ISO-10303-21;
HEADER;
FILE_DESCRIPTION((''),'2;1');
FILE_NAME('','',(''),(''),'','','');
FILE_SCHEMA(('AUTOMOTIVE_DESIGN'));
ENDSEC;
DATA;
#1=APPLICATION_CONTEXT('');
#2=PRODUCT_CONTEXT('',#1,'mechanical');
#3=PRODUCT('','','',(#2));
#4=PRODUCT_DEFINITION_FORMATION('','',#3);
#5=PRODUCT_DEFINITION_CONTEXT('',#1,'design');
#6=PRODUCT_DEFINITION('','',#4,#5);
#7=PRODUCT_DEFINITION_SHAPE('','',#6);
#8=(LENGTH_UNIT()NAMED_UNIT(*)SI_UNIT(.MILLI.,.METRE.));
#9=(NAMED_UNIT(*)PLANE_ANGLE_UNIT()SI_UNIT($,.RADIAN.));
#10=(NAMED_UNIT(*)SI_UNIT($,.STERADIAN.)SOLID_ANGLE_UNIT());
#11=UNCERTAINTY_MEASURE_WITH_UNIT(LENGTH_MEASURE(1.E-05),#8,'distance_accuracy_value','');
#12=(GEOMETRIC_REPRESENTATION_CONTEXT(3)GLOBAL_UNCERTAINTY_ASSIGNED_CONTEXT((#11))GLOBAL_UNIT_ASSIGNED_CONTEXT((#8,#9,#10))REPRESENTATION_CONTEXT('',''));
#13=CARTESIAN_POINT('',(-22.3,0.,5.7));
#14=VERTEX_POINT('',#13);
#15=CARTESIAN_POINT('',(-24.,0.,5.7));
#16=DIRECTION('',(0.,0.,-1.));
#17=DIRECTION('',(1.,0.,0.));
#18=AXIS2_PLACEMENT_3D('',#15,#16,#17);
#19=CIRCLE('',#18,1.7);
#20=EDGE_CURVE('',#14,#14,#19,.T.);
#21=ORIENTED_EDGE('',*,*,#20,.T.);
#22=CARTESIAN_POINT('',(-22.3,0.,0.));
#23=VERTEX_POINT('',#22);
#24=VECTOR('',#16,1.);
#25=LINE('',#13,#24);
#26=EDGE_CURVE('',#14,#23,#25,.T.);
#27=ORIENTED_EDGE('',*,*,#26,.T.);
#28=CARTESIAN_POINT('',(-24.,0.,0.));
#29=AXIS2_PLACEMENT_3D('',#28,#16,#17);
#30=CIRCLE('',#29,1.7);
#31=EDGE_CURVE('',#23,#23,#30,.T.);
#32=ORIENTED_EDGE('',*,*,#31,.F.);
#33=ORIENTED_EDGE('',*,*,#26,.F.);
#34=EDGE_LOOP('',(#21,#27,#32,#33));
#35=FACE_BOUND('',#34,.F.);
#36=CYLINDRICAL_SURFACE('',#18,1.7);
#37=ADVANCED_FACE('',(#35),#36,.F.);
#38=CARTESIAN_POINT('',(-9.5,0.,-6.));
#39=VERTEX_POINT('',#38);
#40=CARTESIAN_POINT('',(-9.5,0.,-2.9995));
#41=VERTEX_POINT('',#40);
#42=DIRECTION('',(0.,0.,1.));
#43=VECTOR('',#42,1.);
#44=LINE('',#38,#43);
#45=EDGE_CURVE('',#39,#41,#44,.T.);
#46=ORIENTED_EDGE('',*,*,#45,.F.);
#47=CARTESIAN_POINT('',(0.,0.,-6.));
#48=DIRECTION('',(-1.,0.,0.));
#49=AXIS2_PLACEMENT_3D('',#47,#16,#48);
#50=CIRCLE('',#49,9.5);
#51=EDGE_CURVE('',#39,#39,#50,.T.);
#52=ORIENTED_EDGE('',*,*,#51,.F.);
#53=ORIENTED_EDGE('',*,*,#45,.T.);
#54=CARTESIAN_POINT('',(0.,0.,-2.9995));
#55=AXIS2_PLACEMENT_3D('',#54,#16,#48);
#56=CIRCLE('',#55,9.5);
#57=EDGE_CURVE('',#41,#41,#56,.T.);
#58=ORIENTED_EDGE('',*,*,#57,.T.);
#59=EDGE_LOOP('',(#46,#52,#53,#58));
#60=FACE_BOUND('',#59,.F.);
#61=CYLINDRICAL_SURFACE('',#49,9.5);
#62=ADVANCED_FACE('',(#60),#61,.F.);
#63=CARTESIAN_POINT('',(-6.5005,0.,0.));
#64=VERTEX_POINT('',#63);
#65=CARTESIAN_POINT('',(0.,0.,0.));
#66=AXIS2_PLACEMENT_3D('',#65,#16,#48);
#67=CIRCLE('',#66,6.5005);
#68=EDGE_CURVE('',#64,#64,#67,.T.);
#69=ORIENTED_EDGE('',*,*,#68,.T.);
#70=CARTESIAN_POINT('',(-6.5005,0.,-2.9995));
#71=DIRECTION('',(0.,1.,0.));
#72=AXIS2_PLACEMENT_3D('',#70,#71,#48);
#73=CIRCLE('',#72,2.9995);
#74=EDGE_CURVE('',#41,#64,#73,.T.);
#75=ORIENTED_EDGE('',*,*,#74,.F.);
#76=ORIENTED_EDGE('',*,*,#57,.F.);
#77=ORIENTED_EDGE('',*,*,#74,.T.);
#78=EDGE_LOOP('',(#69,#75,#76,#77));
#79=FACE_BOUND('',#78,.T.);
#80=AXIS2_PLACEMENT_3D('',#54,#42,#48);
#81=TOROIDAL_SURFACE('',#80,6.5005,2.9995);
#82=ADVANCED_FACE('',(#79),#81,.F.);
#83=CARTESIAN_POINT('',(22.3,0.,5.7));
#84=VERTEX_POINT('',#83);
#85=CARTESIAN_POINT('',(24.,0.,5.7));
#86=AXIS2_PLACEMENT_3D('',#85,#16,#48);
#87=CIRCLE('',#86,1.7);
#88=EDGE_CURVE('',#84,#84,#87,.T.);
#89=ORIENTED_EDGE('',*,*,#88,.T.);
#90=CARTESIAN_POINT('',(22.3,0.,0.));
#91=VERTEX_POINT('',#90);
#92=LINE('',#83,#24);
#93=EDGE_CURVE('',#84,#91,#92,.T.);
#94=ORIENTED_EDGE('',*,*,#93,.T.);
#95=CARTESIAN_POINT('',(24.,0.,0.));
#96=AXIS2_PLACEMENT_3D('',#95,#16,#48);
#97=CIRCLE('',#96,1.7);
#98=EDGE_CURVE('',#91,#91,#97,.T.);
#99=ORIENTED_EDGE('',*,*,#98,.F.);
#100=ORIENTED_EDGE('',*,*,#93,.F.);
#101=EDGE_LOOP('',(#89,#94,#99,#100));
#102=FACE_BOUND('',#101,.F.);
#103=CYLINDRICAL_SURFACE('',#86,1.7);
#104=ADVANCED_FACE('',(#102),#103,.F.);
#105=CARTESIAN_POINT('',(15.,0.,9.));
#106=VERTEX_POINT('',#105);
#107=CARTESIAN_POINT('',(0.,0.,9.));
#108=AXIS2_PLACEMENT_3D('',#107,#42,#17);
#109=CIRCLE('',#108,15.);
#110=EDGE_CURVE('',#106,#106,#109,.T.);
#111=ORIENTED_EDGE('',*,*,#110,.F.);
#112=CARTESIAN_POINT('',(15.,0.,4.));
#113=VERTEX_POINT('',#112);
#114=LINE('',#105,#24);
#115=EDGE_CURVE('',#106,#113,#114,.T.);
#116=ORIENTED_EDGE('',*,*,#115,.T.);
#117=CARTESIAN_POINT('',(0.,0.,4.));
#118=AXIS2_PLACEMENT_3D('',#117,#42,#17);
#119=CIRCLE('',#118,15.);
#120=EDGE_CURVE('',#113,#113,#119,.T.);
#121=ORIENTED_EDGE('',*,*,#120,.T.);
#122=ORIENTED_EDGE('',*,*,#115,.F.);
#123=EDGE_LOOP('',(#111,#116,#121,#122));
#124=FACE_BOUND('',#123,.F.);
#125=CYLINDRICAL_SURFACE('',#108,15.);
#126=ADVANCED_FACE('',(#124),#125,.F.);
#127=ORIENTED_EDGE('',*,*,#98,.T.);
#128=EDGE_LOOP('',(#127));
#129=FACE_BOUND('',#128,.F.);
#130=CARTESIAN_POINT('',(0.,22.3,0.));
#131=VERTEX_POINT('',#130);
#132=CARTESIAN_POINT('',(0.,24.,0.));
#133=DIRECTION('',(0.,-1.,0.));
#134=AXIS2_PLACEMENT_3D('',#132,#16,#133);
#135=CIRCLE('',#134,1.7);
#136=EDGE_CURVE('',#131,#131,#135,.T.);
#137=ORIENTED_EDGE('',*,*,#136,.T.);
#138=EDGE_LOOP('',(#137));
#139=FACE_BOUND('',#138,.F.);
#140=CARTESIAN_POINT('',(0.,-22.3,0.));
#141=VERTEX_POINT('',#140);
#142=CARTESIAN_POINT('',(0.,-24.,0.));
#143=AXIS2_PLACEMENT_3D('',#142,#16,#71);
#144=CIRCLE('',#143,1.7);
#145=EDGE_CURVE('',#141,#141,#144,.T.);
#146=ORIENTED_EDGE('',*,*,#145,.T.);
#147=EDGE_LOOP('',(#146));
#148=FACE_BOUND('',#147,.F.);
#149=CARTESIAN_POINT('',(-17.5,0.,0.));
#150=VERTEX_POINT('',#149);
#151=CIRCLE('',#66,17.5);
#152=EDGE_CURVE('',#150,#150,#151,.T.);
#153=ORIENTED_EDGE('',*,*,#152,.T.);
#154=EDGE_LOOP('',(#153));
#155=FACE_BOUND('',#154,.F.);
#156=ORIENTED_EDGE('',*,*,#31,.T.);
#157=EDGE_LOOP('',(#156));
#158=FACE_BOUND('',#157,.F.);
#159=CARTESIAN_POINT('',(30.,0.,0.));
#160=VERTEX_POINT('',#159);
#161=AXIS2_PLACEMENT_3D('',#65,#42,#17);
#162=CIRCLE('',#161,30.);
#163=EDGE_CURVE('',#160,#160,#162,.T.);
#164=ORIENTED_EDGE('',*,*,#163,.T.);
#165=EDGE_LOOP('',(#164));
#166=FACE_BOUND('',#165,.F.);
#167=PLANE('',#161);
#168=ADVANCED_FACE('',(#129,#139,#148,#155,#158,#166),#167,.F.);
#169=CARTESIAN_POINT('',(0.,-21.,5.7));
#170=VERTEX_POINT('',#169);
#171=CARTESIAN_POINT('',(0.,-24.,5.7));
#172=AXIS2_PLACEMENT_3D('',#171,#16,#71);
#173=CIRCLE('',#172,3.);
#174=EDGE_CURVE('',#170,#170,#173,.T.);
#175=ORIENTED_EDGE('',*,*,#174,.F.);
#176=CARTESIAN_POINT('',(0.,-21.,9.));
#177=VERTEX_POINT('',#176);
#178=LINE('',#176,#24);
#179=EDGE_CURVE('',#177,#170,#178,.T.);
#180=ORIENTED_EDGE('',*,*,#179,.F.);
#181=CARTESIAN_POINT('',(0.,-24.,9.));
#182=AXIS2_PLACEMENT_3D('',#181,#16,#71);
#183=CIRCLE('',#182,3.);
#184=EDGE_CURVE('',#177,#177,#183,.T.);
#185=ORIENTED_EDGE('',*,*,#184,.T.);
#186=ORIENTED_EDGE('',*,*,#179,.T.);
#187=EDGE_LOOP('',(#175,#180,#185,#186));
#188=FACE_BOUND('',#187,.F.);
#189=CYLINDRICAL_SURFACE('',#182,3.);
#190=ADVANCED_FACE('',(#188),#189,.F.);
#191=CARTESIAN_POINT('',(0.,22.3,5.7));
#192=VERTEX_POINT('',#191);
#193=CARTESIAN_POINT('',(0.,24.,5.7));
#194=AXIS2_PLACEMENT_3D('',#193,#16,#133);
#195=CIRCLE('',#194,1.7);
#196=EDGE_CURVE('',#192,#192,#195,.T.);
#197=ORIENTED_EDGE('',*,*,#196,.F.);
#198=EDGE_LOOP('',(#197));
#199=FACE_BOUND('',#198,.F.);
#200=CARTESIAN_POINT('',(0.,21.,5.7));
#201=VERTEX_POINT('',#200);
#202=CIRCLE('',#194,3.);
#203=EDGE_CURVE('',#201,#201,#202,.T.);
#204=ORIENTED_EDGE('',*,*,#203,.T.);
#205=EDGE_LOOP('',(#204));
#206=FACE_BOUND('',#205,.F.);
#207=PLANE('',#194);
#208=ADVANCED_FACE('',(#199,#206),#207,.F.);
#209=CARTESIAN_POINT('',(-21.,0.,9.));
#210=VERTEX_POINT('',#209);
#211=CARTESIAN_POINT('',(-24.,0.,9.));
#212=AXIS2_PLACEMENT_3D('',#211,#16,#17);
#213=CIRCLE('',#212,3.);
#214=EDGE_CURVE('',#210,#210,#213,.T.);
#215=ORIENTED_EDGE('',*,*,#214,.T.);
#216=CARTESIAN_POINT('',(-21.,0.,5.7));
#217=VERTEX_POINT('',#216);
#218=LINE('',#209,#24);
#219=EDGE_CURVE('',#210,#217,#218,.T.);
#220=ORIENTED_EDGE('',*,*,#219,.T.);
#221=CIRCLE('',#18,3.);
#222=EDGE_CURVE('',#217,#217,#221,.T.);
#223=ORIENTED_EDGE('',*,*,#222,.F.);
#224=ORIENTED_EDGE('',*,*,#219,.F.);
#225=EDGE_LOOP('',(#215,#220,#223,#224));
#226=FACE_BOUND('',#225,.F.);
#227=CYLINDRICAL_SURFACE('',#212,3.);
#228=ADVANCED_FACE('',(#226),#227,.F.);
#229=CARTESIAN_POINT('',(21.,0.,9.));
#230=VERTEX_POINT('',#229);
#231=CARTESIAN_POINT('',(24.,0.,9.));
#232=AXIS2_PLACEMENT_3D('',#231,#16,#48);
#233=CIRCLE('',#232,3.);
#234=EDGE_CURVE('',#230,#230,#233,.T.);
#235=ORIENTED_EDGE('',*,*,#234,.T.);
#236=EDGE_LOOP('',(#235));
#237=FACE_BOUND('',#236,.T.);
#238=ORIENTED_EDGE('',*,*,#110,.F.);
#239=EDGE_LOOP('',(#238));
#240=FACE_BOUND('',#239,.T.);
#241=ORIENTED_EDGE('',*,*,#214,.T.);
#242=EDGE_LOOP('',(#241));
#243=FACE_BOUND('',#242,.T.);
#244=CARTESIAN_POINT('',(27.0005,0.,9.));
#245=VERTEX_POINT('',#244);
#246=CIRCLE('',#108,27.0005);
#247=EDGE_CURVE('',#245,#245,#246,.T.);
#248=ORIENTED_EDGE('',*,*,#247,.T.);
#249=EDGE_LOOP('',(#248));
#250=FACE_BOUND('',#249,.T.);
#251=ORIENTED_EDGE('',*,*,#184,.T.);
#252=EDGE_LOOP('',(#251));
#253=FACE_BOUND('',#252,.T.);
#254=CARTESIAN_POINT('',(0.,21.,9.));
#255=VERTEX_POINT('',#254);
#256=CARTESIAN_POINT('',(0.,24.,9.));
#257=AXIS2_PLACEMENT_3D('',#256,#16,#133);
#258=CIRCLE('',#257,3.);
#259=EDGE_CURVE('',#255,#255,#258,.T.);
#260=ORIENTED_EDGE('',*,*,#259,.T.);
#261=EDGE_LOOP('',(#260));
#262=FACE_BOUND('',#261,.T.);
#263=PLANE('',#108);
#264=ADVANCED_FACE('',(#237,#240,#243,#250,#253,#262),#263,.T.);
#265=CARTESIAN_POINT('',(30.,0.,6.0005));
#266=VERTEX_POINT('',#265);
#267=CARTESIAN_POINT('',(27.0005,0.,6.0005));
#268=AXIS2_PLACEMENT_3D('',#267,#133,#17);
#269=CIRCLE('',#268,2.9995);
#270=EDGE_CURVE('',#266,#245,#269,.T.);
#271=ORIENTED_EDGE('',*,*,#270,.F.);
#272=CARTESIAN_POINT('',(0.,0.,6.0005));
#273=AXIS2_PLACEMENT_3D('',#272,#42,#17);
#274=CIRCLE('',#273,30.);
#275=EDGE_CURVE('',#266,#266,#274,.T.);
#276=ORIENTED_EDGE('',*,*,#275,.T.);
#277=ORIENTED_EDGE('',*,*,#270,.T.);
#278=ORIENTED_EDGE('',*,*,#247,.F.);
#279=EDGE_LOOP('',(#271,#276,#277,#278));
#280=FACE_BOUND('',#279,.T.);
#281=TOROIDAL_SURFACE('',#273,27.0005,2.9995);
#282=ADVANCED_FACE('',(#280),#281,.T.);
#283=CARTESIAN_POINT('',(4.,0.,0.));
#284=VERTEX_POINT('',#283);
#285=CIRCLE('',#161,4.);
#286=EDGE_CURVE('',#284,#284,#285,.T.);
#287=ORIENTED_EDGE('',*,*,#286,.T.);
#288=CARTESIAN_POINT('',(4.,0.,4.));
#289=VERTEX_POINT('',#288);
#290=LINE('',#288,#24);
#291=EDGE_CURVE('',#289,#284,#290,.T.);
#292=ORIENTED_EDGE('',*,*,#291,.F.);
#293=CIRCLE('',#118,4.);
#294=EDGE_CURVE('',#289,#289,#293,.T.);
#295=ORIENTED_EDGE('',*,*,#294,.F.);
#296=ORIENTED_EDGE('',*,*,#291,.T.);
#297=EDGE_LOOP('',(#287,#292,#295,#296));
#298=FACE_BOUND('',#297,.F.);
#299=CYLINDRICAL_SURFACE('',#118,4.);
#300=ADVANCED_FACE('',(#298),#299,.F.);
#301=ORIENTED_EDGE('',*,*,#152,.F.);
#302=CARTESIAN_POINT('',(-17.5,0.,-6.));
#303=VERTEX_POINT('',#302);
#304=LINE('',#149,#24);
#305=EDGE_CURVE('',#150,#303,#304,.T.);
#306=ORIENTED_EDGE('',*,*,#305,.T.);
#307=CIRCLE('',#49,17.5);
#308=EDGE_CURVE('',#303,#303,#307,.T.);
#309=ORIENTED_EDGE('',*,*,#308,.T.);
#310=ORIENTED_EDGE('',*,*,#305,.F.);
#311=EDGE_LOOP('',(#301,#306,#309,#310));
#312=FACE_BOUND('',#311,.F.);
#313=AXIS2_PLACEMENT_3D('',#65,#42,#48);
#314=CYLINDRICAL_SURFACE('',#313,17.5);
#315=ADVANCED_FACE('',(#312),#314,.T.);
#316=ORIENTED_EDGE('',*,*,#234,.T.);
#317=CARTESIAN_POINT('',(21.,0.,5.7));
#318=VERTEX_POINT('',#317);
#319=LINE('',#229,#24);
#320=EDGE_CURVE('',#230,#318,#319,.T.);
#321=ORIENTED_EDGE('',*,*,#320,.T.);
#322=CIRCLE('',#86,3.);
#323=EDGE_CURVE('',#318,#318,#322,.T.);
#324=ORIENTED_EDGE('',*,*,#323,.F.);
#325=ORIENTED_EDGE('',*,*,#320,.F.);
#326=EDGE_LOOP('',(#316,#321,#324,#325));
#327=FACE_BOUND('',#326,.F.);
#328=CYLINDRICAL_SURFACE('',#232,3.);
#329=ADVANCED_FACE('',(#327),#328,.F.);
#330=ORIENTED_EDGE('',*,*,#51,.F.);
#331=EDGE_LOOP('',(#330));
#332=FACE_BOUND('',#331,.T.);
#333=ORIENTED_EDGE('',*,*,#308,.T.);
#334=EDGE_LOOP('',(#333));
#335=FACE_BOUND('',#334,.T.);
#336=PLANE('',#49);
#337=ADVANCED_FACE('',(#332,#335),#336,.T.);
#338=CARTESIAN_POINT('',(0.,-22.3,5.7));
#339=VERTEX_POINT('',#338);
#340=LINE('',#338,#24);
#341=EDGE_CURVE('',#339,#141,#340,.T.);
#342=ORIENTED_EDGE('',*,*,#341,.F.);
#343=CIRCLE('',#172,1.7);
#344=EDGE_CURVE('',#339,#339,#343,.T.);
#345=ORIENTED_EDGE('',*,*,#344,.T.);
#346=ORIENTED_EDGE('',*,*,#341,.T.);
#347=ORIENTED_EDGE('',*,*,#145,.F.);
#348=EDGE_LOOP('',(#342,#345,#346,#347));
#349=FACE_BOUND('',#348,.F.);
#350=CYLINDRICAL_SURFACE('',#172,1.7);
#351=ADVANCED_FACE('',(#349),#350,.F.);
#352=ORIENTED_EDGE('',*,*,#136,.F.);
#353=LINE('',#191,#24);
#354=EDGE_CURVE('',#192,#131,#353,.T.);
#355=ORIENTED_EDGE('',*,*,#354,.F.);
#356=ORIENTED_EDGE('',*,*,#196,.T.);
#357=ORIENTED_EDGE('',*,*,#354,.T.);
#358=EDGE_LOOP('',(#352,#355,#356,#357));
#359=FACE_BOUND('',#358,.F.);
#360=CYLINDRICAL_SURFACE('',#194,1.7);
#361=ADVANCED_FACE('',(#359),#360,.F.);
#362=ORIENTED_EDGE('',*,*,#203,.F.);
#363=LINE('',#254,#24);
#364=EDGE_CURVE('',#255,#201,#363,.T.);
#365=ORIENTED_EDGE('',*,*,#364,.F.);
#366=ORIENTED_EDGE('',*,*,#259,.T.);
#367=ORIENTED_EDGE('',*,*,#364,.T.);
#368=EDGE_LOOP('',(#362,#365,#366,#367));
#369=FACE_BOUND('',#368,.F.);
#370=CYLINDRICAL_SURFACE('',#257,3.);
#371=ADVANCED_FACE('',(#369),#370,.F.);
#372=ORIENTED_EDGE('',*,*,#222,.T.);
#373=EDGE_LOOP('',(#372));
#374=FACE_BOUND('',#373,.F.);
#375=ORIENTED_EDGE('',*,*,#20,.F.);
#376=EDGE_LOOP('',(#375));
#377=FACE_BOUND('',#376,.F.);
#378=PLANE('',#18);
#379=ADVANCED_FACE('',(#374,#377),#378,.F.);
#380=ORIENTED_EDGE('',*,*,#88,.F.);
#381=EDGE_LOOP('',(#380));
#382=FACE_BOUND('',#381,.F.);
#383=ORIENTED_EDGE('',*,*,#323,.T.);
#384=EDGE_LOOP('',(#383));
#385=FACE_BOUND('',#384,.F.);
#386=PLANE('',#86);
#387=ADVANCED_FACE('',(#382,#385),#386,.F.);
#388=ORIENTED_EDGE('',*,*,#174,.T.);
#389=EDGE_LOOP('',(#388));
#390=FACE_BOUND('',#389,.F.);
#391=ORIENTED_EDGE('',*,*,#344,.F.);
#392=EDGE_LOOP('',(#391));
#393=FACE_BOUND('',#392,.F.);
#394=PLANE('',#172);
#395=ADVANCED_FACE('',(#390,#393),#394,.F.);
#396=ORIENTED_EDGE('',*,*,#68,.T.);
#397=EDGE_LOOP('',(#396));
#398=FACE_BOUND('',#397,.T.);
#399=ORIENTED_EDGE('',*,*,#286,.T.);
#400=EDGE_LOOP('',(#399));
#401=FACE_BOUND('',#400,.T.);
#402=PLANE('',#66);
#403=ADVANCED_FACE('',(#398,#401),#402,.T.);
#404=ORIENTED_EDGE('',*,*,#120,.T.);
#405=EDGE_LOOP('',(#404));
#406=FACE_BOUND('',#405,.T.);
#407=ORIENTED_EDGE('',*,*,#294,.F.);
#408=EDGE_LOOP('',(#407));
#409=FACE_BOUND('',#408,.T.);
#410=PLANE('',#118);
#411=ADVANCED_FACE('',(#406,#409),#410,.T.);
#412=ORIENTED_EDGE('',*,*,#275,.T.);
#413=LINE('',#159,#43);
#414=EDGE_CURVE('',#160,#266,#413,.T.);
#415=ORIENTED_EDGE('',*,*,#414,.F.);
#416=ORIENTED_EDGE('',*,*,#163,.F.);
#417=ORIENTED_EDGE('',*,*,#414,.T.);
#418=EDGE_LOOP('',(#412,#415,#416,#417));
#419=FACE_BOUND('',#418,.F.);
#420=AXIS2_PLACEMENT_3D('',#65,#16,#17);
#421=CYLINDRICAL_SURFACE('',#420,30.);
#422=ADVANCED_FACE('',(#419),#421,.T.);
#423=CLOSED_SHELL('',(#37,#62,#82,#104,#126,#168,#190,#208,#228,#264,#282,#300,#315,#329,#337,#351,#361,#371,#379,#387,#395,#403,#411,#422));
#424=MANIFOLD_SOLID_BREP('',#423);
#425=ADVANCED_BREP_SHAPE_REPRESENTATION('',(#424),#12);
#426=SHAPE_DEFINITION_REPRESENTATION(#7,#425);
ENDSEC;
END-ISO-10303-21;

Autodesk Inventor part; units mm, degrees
ref_plane "YZ Plane" through (0, 0, 0) normal (1, 0, 0) x (0, 1, 0)
ref_plane "XZ Plane" through (0, 0, 0) normal (0, 1, 0) x (-1, 0, 0)
ref_plane "XY Plane" through (0, 0, 0) normal (0, 0, 1) x (1, 0, 0)
sketch "스케치4" plane through (0, 0, 0) normal (0, 0, 1) x (1, 0, 0)
  circle A0 centre (0, 0) radius 30
  dimension "d28" = 60
extrude "돌출4" add sketch "스케치4" along normal blind 9
sketch "스케치6" plane through (0, 0, 0) normal (0, 0, -1) x (-1, 0, 0)
  circle A0 centre (0, 0) radius 17.5
  dimension "d34" = 35
extrude "돌출6" add sketch "스케치6" along normal blind 6
sketch "스케치9" plane through (0, 0, -6) normal (0, 0, -1) x (-1, 0, 0)
  circle A0 centre (0, 0) radius 9.5
  dimension "d44" = 19
extrude "돌출9" cut sketch "스케치9" against normal blind 6
sketch "스케치12" plane through (0, 0, 9) normal (0, 0, 1) x (1, 0, 0)
  circle A0 centre (0, 24) radius 3
  point P0 (0, 0)
  dimension "d61" = 6
  dimension "d62" = 24
hole "구멍1" at (0, 24, 9) direction (0, 0, -1) diameter 3.4 end through all counterbore diameter 6 counterbore depth 3.3
sketch "스케치13" plane through (0, 0, 9) normal (0, 0, 1) x (1, 0, 0)
  circle A0 centre (0, 0) radius 15
  dimension "d74" = 30
extrude "돌출11" cut sketch "스케치13" against normal blind 5
sketch "스케치14" plane through (0, 0, 4) normal (0, 0, 1) x (1, 0, 0)
  circle A0 centre (0, 0) radius 4
  dimension "d77" = 8
extrude "돌출12" cut sketch "스케치14" against normal up to next
pattern_circular "원형 패턴3" count 4 over 360 about axis through (0, 0, 4) along (0, 0, -1) of "구멍1"
fillet "모깎기3" radius 3 2 edges at (-30, 0, 9) (9.5, 0, 0)
properties part number "도면2-3번"
